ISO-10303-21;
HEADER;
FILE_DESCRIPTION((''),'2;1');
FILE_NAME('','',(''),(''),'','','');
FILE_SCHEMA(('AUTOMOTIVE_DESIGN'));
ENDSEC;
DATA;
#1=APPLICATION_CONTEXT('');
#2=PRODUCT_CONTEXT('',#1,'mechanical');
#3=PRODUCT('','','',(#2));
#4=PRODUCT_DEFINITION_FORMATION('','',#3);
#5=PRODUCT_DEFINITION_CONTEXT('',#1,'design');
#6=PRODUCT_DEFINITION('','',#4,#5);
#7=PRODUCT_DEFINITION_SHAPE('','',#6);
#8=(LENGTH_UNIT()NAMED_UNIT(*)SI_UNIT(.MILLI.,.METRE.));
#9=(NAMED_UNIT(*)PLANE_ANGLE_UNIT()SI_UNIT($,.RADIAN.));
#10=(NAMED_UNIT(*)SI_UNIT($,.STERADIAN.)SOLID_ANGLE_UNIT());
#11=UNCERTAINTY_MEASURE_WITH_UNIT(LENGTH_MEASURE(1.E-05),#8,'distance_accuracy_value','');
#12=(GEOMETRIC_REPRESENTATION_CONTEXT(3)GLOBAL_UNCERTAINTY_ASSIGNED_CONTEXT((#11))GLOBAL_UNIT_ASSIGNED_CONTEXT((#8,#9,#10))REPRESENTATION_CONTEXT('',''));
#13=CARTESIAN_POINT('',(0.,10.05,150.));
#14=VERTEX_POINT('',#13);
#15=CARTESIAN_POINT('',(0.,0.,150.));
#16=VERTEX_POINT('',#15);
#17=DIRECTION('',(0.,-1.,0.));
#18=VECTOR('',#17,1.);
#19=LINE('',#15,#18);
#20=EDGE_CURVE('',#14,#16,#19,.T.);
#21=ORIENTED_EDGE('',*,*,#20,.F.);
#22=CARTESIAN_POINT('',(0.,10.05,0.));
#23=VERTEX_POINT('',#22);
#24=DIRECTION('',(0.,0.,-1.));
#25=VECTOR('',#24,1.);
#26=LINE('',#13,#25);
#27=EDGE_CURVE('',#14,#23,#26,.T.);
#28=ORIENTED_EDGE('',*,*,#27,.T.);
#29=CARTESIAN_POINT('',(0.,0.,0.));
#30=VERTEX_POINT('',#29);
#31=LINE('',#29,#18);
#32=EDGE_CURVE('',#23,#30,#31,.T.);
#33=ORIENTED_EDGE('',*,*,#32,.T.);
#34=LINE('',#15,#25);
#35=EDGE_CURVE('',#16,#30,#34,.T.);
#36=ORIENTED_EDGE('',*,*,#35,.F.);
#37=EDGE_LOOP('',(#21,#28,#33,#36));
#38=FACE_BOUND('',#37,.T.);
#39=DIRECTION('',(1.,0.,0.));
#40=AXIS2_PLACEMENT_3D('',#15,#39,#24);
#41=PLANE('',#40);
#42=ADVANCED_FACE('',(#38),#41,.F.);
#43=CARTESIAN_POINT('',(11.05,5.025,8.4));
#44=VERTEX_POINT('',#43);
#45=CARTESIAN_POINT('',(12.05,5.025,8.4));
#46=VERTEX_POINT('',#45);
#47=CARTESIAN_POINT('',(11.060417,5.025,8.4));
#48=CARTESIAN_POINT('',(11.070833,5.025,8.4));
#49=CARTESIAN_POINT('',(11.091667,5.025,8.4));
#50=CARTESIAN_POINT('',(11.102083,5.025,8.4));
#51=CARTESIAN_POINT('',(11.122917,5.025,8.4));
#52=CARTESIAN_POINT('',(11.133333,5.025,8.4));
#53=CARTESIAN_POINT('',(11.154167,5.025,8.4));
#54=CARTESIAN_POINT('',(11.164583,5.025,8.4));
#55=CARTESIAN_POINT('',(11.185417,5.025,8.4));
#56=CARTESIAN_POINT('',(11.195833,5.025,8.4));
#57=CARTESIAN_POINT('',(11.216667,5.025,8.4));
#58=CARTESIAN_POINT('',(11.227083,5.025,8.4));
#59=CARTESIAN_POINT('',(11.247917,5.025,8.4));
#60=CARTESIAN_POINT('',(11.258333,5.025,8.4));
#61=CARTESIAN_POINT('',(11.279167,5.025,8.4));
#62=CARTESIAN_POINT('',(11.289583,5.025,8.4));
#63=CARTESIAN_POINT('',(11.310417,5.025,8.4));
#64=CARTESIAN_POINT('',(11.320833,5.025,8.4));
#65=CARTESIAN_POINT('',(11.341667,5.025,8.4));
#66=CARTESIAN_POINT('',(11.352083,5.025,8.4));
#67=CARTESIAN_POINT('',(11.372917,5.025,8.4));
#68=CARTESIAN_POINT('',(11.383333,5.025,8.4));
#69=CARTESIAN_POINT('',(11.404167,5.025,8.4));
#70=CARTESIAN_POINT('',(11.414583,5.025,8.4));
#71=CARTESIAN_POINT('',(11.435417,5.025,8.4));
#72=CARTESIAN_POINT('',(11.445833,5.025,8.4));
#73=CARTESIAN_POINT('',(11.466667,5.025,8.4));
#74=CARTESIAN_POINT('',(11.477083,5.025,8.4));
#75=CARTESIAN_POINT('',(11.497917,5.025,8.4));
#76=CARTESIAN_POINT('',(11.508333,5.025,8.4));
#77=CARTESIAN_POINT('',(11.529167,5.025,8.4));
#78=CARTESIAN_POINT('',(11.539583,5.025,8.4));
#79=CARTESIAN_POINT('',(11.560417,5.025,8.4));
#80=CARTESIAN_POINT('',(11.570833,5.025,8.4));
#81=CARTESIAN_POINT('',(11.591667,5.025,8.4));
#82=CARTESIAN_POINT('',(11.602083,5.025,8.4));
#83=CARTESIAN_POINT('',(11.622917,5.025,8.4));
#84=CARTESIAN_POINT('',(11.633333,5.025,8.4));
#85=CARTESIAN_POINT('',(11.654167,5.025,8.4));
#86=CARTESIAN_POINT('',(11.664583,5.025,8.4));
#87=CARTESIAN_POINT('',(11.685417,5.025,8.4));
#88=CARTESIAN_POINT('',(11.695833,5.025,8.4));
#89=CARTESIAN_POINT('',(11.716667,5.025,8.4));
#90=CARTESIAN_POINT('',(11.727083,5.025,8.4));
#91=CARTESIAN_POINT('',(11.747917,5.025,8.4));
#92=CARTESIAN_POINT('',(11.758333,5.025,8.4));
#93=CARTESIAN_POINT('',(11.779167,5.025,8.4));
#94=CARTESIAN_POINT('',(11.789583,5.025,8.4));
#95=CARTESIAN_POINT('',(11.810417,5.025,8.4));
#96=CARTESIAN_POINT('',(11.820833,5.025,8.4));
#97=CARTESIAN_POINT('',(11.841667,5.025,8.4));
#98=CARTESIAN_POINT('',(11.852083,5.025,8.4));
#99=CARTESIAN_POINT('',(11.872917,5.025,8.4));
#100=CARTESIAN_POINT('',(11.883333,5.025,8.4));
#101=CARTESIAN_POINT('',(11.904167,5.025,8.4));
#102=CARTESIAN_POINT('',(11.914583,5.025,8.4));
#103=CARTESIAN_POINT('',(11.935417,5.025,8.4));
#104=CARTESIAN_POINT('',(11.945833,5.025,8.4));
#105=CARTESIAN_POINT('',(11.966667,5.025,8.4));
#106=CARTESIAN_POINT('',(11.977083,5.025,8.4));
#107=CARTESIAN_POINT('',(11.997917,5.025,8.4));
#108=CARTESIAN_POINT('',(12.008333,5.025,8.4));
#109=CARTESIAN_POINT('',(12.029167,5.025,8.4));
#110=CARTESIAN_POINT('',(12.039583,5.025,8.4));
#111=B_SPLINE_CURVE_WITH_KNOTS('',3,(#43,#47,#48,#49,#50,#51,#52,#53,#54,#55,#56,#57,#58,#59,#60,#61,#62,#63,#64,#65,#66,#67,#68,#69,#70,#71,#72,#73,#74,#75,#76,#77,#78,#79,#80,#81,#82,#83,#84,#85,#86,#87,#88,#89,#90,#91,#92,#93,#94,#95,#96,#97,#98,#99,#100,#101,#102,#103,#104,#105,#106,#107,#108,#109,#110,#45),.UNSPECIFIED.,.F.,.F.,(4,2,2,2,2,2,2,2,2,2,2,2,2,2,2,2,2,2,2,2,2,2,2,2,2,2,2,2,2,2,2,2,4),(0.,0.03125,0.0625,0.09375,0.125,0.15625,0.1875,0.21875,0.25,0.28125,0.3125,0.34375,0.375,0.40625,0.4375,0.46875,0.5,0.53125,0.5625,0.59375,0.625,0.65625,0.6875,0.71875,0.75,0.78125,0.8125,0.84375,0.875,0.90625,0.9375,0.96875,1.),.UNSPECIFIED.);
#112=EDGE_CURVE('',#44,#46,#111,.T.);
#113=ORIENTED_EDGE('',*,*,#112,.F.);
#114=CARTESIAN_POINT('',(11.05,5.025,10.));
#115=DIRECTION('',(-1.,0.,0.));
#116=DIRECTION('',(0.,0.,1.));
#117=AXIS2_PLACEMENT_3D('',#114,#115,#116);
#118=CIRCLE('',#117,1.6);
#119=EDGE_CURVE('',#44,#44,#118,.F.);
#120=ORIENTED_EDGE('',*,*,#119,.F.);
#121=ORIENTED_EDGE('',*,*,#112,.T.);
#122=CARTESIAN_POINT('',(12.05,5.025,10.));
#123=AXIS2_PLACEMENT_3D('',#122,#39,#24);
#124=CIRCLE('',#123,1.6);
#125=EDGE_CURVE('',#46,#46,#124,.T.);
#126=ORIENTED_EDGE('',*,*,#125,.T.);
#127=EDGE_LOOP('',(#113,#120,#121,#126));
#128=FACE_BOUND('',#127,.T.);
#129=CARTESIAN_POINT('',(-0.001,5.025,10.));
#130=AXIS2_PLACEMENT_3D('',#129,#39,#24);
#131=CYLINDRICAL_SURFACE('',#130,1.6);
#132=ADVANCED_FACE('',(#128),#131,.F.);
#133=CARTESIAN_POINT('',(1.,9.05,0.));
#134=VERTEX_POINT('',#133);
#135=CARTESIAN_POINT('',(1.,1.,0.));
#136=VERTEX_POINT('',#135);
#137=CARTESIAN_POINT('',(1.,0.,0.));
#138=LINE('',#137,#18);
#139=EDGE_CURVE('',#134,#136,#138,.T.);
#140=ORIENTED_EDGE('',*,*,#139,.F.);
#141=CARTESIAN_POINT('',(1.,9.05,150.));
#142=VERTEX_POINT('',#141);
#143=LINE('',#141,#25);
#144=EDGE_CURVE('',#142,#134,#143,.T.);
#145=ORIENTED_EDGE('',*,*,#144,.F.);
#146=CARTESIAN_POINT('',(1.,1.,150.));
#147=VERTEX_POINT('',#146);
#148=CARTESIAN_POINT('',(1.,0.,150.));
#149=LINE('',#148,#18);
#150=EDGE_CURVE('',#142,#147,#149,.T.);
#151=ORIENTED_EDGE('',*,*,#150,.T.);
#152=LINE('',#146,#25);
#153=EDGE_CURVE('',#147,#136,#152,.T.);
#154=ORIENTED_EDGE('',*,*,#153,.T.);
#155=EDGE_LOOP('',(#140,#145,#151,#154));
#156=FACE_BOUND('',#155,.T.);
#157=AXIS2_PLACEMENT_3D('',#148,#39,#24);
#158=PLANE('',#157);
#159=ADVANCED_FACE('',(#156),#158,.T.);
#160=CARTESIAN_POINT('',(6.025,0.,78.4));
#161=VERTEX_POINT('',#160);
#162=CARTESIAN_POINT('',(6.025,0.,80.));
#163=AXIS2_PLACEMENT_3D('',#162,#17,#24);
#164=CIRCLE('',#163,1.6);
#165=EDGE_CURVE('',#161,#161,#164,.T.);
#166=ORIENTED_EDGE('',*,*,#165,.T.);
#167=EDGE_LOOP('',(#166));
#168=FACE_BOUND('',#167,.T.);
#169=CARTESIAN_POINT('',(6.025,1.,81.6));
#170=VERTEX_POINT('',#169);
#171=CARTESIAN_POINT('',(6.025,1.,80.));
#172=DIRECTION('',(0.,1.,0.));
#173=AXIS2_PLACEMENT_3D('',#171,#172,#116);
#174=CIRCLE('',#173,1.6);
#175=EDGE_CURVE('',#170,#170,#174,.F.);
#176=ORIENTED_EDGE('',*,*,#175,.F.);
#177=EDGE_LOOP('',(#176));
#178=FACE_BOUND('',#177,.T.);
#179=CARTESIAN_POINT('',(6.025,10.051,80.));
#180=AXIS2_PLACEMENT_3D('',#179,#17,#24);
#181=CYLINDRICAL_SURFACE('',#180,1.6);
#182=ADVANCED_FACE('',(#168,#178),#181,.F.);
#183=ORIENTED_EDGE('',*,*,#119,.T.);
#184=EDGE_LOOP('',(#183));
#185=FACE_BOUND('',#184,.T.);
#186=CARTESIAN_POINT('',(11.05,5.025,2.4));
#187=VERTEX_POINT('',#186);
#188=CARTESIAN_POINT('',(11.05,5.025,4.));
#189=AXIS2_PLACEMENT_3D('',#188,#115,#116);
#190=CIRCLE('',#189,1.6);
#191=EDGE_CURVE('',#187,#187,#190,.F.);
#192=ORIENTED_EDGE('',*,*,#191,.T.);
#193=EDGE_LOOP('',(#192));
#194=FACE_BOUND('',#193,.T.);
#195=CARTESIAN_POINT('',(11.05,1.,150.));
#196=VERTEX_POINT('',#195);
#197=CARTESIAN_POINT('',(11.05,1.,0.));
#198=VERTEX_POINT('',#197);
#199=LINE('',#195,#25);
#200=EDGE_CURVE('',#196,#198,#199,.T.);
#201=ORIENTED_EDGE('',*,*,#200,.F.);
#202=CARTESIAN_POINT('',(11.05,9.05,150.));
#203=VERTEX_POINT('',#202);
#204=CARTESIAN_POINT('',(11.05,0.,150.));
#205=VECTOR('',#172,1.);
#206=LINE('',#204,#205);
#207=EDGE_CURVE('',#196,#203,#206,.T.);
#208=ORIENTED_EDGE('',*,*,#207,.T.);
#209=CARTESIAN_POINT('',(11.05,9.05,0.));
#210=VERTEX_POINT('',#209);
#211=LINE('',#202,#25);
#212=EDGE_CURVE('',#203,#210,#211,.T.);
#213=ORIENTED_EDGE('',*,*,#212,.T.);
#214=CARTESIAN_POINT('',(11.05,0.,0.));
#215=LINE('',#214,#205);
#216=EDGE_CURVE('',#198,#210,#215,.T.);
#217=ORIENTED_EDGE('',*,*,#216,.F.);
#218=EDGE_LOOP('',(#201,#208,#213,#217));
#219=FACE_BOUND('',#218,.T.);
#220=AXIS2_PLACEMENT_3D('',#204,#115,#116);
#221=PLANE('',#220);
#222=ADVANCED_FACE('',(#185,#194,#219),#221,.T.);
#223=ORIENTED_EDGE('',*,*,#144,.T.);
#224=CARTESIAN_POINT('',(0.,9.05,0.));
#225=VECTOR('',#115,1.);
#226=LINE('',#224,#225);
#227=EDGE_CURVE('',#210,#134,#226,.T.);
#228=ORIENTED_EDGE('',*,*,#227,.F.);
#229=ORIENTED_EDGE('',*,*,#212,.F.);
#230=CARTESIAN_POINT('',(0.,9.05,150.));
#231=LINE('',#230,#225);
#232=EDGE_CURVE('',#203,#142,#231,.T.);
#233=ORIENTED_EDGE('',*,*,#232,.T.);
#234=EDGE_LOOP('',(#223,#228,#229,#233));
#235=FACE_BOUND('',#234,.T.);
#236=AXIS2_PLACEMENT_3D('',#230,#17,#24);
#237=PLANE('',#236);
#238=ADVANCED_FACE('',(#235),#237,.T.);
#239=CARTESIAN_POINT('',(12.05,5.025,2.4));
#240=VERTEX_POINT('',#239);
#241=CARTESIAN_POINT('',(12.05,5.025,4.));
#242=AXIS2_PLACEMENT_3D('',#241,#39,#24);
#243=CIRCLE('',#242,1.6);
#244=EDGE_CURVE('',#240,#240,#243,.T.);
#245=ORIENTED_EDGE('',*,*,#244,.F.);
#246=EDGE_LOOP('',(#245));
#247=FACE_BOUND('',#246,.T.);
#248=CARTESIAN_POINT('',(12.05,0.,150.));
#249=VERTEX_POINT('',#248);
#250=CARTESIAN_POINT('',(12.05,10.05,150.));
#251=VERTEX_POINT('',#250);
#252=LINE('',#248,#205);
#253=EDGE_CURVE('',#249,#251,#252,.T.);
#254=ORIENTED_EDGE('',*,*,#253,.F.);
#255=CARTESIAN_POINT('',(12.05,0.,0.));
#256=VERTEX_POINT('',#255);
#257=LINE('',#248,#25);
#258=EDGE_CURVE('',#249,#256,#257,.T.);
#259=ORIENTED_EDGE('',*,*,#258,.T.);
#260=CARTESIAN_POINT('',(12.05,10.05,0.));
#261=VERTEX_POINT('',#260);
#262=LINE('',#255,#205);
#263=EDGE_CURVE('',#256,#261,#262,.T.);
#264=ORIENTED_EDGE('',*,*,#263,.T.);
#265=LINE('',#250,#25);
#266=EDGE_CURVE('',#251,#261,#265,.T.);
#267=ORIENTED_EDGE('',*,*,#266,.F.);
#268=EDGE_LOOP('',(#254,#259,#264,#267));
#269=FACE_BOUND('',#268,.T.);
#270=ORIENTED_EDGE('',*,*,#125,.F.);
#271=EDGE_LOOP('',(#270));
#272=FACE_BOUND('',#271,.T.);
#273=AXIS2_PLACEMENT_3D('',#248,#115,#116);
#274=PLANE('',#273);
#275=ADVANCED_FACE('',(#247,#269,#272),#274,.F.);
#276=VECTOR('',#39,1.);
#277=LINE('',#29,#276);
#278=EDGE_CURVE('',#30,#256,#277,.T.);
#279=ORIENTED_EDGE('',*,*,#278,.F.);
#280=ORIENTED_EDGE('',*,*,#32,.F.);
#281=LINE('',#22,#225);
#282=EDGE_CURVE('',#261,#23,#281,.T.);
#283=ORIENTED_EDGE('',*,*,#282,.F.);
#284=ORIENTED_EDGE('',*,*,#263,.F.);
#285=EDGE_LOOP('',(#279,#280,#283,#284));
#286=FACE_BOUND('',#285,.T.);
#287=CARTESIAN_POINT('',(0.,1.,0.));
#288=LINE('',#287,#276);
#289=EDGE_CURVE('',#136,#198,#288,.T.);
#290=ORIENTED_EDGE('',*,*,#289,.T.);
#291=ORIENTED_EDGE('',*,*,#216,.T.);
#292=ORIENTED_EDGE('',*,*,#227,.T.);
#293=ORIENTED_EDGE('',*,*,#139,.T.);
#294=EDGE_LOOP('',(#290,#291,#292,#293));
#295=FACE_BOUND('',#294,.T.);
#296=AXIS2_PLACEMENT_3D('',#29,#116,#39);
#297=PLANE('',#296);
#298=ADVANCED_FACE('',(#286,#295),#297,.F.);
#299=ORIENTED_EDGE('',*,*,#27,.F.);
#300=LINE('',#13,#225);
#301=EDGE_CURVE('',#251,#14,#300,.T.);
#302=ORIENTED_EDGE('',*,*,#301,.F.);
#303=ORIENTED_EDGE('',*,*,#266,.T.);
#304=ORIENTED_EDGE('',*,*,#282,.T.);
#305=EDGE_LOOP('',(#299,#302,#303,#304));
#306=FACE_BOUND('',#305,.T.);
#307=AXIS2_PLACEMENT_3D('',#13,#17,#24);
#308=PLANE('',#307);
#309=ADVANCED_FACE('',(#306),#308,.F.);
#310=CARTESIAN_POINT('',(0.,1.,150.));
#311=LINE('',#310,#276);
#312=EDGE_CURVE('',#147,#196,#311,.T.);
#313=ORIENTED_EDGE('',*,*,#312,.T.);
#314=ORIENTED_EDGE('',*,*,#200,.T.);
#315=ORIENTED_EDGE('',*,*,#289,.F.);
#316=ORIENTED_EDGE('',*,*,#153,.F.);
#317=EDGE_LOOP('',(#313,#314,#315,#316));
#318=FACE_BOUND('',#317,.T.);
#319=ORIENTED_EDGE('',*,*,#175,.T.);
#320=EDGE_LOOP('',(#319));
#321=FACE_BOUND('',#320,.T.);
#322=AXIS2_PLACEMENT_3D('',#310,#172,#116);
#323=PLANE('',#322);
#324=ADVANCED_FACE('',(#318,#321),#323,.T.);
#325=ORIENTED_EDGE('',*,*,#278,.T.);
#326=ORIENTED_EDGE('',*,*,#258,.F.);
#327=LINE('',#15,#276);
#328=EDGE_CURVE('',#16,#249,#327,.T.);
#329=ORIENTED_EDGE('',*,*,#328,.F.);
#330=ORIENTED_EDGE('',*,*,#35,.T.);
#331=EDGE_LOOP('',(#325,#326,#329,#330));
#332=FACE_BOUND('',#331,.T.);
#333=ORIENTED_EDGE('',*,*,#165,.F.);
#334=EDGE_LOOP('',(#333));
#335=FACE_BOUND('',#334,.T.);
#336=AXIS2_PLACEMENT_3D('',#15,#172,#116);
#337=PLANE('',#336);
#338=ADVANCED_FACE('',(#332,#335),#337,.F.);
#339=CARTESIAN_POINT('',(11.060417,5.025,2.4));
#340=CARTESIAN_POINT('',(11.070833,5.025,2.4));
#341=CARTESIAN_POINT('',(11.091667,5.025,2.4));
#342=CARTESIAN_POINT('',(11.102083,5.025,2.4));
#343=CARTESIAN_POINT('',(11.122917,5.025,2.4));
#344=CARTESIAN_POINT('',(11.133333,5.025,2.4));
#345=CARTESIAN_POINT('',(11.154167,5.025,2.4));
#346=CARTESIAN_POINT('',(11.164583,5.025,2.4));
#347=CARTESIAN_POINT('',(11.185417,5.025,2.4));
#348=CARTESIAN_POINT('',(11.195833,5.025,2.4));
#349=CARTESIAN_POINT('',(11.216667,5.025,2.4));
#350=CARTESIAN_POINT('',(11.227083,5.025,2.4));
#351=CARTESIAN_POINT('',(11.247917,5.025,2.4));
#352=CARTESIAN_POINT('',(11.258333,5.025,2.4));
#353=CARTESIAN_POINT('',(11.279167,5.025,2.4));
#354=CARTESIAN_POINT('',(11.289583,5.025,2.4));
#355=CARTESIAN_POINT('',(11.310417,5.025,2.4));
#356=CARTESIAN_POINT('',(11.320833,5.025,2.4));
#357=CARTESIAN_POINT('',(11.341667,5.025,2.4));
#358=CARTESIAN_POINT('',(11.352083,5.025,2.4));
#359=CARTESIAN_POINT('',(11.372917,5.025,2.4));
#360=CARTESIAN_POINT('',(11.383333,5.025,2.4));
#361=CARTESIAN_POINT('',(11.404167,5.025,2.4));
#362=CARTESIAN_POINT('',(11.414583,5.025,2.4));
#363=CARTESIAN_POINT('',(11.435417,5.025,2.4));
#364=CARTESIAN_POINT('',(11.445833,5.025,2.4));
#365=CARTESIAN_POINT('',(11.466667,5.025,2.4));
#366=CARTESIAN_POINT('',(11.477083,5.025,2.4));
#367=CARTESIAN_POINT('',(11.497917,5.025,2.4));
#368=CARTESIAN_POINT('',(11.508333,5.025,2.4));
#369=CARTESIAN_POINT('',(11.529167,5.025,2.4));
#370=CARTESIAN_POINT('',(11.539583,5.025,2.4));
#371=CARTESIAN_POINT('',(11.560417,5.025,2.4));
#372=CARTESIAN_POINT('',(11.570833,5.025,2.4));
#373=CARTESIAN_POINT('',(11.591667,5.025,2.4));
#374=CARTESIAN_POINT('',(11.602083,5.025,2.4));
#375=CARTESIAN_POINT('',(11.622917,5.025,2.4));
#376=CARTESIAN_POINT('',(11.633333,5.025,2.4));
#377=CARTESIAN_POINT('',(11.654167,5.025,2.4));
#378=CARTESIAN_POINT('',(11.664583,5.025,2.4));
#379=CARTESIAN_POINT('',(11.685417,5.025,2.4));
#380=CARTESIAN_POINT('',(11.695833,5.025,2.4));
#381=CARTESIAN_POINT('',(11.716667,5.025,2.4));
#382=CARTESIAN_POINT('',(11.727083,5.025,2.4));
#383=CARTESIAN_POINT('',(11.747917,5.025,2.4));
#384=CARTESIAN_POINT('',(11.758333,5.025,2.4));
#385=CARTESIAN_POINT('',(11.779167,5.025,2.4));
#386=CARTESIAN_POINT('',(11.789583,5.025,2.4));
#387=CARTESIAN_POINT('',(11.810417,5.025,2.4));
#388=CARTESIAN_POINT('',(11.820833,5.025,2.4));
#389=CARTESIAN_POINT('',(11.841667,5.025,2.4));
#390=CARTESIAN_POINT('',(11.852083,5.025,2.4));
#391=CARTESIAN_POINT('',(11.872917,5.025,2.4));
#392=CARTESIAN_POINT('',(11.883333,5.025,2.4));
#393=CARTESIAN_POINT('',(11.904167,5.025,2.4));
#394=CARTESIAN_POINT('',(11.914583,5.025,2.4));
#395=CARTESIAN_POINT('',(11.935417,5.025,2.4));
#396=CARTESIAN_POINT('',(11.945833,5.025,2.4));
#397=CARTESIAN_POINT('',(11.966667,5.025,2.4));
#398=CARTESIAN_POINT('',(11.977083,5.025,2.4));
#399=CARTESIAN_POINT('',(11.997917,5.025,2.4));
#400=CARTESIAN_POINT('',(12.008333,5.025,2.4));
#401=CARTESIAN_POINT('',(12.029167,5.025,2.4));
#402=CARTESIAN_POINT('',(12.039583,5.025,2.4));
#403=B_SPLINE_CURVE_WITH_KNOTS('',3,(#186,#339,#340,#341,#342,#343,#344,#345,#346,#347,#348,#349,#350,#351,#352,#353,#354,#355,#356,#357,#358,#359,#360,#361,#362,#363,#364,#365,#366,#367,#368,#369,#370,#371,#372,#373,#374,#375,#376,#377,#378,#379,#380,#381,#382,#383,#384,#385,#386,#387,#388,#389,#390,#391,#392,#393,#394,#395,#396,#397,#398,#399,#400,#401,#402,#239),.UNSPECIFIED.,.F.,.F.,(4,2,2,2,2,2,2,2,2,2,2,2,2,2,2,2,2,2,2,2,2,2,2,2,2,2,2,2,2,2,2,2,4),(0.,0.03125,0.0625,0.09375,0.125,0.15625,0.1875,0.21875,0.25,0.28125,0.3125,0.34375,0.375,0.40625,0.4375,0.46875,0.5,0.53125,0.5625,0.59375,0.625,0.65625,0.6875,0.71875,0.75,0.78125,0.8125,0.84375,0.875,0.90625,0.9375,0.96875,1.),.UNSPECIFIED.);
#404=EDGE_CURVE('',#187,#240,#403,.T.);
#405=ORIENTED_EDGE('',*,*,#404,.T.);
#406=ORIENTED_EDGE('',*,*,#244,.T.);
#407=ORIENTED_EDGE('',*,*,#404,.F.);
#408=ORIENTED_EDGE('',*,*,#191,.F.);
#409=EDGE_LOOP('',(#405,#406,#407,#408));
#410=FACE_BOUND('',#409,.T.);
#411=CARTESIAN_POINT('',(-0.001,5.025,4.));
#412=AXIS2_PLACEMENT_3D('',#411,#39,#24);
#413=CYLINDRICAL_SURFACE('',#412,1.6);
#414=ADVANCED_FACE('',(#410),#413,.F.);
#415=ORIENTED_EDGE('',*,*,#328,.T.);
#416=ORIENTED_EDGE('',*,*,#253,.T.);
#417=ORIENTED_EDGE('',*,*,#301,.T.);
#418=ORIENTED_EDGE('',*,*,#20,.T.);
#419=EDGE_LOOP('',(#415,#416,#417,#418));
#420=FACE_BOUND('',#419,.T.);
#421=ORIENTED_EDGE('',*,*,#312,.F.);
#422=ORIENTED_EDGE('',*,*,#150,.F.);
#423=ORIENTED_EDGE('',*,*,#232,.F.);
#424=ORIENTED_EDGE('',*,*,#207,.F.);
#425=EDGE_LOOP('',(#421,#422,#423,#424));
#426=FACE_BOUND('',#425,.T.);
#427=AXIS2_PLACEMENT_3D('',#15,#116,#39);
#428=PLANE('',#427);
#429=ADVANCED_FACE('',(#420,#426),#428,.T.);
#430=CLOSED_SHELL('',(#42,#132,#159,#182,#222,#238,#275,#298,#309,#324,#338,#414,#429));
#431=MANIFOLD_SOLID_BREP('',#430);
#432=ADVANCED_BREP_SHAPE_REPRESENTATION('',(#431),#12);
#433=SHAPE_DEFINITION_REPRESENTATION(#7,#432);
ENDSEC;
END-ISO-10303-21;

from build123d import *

# Parameters (mm, degrees)
ESQUISSE1_W             = 12.05
ESQUISSE1_H             = 10.05
ESQUISSE1_W_2           = 10.05
ESQUISSE1_H_2           = 8.05
EXTRU_MINCE1_DEPTH      = 150
ENL_V_MAT_EXTRU_1_REACH = 152.818
ESQUISSE2_R             = 1.6
ENL_V_MAT_EXTRU_2_REACH = 152.818
ESQUISSE3_R             = 1.6


with BuildPart() as part:
    # Esquisse1 → Extru.-Mince1 (new body)
    with BuildSketch(Plane.XY):
        with Locations((6.025, 5.025)):
            Rectangle(ESQUISSE1_W, ESQUISSE1_H)
        with Locations((6.025, 5.025)):
            Rectangle(ESQUISSE1_W_2, ESQUISSE1_H_2, mode=Mode.SUBTRACT)
    extrude(amount=EXTRU_MINCE1_DEPTH)

    # Esquisse2 → Enlèv. mat.-Extru.1 (cut, up to next)
    with BuildSketch(Plane(origin=(0, 0, 0), x_dir=(-1, 0, 0), z_dir=(0, -1, 0)), mode=Mode.PRIVATE) as enl_v_mat_extru_1_sk1:
        with Locations(Location((-6.025, -80, 0), (0, 0, 90))):
            Circle(ESQUISSE2_R)
    enl_v_mat_extru_1_tool1 = extrude(enl_v_mat_extru_1_sk1.sketch, amount=-ENL_V_MAT_EXTRU_1_REACH, mode=Mode.PRIVATE) & part.part
    add(enl_v_mat_extru_1_tool1.solids().sort_by_distance((6.025, 0, 80))[0], mode=Mode.SUBTRACT)

    # Esquisse3 → Enlèv. mat.-Extru.2 (cut, up to next)
    with BuildSketch(Plane(origin=(12.05, 0, 0), x_dir=(0, 0, -1), z_dir=(1, 0, 0)), mode=Mode.PRIVATE) as enl_v_mat_extru_2_sk1:
        with Locations((-4, 5.025)):
            Circle(ESQUISSE3_R)
    enl_v_mat_extru_2_tool1 = extrude(enl_v_mat_extru_2_sk1.sketch, amount=-ENL_V_MAT_EXTRU_2_REACH, mode=Mode.PRIVATE) & part.part
    # Esquisse3 → Enlèv. mat.-Extru.2 (cut, up to next)
    with BuildSketch(Plane(origin=(12.05, 0, 0), x_dir=(0, 0, -1), z_dir=(1, 0, 0)), mode=Mode.PRIVATE) as enl_v_mat_extru_2_sk2:
        with Locations((-10, 5.025)):
            Circle(ESQUISSE3_R)
    enl_v_mat_extru_2_tool2 = extrude(enl_v_mat_extru_2_sk2.sketch, amount=-ENL_V_MAT_EXTRU_2_REACH, mode=Mode.PRIVATE) & part.part
    add(enl_v_mat_extru_2_tool1.solids().sort_by_distance((12.05, 5.025, 4))[0], mode=Mode.SUBTRACT)
    add(enl_v_mat_extru_2_tool2.solids().sort_by_distance((12.05, 5.025, 10))[0], mode=Mode.SUBTRACT)


solid = part.part
